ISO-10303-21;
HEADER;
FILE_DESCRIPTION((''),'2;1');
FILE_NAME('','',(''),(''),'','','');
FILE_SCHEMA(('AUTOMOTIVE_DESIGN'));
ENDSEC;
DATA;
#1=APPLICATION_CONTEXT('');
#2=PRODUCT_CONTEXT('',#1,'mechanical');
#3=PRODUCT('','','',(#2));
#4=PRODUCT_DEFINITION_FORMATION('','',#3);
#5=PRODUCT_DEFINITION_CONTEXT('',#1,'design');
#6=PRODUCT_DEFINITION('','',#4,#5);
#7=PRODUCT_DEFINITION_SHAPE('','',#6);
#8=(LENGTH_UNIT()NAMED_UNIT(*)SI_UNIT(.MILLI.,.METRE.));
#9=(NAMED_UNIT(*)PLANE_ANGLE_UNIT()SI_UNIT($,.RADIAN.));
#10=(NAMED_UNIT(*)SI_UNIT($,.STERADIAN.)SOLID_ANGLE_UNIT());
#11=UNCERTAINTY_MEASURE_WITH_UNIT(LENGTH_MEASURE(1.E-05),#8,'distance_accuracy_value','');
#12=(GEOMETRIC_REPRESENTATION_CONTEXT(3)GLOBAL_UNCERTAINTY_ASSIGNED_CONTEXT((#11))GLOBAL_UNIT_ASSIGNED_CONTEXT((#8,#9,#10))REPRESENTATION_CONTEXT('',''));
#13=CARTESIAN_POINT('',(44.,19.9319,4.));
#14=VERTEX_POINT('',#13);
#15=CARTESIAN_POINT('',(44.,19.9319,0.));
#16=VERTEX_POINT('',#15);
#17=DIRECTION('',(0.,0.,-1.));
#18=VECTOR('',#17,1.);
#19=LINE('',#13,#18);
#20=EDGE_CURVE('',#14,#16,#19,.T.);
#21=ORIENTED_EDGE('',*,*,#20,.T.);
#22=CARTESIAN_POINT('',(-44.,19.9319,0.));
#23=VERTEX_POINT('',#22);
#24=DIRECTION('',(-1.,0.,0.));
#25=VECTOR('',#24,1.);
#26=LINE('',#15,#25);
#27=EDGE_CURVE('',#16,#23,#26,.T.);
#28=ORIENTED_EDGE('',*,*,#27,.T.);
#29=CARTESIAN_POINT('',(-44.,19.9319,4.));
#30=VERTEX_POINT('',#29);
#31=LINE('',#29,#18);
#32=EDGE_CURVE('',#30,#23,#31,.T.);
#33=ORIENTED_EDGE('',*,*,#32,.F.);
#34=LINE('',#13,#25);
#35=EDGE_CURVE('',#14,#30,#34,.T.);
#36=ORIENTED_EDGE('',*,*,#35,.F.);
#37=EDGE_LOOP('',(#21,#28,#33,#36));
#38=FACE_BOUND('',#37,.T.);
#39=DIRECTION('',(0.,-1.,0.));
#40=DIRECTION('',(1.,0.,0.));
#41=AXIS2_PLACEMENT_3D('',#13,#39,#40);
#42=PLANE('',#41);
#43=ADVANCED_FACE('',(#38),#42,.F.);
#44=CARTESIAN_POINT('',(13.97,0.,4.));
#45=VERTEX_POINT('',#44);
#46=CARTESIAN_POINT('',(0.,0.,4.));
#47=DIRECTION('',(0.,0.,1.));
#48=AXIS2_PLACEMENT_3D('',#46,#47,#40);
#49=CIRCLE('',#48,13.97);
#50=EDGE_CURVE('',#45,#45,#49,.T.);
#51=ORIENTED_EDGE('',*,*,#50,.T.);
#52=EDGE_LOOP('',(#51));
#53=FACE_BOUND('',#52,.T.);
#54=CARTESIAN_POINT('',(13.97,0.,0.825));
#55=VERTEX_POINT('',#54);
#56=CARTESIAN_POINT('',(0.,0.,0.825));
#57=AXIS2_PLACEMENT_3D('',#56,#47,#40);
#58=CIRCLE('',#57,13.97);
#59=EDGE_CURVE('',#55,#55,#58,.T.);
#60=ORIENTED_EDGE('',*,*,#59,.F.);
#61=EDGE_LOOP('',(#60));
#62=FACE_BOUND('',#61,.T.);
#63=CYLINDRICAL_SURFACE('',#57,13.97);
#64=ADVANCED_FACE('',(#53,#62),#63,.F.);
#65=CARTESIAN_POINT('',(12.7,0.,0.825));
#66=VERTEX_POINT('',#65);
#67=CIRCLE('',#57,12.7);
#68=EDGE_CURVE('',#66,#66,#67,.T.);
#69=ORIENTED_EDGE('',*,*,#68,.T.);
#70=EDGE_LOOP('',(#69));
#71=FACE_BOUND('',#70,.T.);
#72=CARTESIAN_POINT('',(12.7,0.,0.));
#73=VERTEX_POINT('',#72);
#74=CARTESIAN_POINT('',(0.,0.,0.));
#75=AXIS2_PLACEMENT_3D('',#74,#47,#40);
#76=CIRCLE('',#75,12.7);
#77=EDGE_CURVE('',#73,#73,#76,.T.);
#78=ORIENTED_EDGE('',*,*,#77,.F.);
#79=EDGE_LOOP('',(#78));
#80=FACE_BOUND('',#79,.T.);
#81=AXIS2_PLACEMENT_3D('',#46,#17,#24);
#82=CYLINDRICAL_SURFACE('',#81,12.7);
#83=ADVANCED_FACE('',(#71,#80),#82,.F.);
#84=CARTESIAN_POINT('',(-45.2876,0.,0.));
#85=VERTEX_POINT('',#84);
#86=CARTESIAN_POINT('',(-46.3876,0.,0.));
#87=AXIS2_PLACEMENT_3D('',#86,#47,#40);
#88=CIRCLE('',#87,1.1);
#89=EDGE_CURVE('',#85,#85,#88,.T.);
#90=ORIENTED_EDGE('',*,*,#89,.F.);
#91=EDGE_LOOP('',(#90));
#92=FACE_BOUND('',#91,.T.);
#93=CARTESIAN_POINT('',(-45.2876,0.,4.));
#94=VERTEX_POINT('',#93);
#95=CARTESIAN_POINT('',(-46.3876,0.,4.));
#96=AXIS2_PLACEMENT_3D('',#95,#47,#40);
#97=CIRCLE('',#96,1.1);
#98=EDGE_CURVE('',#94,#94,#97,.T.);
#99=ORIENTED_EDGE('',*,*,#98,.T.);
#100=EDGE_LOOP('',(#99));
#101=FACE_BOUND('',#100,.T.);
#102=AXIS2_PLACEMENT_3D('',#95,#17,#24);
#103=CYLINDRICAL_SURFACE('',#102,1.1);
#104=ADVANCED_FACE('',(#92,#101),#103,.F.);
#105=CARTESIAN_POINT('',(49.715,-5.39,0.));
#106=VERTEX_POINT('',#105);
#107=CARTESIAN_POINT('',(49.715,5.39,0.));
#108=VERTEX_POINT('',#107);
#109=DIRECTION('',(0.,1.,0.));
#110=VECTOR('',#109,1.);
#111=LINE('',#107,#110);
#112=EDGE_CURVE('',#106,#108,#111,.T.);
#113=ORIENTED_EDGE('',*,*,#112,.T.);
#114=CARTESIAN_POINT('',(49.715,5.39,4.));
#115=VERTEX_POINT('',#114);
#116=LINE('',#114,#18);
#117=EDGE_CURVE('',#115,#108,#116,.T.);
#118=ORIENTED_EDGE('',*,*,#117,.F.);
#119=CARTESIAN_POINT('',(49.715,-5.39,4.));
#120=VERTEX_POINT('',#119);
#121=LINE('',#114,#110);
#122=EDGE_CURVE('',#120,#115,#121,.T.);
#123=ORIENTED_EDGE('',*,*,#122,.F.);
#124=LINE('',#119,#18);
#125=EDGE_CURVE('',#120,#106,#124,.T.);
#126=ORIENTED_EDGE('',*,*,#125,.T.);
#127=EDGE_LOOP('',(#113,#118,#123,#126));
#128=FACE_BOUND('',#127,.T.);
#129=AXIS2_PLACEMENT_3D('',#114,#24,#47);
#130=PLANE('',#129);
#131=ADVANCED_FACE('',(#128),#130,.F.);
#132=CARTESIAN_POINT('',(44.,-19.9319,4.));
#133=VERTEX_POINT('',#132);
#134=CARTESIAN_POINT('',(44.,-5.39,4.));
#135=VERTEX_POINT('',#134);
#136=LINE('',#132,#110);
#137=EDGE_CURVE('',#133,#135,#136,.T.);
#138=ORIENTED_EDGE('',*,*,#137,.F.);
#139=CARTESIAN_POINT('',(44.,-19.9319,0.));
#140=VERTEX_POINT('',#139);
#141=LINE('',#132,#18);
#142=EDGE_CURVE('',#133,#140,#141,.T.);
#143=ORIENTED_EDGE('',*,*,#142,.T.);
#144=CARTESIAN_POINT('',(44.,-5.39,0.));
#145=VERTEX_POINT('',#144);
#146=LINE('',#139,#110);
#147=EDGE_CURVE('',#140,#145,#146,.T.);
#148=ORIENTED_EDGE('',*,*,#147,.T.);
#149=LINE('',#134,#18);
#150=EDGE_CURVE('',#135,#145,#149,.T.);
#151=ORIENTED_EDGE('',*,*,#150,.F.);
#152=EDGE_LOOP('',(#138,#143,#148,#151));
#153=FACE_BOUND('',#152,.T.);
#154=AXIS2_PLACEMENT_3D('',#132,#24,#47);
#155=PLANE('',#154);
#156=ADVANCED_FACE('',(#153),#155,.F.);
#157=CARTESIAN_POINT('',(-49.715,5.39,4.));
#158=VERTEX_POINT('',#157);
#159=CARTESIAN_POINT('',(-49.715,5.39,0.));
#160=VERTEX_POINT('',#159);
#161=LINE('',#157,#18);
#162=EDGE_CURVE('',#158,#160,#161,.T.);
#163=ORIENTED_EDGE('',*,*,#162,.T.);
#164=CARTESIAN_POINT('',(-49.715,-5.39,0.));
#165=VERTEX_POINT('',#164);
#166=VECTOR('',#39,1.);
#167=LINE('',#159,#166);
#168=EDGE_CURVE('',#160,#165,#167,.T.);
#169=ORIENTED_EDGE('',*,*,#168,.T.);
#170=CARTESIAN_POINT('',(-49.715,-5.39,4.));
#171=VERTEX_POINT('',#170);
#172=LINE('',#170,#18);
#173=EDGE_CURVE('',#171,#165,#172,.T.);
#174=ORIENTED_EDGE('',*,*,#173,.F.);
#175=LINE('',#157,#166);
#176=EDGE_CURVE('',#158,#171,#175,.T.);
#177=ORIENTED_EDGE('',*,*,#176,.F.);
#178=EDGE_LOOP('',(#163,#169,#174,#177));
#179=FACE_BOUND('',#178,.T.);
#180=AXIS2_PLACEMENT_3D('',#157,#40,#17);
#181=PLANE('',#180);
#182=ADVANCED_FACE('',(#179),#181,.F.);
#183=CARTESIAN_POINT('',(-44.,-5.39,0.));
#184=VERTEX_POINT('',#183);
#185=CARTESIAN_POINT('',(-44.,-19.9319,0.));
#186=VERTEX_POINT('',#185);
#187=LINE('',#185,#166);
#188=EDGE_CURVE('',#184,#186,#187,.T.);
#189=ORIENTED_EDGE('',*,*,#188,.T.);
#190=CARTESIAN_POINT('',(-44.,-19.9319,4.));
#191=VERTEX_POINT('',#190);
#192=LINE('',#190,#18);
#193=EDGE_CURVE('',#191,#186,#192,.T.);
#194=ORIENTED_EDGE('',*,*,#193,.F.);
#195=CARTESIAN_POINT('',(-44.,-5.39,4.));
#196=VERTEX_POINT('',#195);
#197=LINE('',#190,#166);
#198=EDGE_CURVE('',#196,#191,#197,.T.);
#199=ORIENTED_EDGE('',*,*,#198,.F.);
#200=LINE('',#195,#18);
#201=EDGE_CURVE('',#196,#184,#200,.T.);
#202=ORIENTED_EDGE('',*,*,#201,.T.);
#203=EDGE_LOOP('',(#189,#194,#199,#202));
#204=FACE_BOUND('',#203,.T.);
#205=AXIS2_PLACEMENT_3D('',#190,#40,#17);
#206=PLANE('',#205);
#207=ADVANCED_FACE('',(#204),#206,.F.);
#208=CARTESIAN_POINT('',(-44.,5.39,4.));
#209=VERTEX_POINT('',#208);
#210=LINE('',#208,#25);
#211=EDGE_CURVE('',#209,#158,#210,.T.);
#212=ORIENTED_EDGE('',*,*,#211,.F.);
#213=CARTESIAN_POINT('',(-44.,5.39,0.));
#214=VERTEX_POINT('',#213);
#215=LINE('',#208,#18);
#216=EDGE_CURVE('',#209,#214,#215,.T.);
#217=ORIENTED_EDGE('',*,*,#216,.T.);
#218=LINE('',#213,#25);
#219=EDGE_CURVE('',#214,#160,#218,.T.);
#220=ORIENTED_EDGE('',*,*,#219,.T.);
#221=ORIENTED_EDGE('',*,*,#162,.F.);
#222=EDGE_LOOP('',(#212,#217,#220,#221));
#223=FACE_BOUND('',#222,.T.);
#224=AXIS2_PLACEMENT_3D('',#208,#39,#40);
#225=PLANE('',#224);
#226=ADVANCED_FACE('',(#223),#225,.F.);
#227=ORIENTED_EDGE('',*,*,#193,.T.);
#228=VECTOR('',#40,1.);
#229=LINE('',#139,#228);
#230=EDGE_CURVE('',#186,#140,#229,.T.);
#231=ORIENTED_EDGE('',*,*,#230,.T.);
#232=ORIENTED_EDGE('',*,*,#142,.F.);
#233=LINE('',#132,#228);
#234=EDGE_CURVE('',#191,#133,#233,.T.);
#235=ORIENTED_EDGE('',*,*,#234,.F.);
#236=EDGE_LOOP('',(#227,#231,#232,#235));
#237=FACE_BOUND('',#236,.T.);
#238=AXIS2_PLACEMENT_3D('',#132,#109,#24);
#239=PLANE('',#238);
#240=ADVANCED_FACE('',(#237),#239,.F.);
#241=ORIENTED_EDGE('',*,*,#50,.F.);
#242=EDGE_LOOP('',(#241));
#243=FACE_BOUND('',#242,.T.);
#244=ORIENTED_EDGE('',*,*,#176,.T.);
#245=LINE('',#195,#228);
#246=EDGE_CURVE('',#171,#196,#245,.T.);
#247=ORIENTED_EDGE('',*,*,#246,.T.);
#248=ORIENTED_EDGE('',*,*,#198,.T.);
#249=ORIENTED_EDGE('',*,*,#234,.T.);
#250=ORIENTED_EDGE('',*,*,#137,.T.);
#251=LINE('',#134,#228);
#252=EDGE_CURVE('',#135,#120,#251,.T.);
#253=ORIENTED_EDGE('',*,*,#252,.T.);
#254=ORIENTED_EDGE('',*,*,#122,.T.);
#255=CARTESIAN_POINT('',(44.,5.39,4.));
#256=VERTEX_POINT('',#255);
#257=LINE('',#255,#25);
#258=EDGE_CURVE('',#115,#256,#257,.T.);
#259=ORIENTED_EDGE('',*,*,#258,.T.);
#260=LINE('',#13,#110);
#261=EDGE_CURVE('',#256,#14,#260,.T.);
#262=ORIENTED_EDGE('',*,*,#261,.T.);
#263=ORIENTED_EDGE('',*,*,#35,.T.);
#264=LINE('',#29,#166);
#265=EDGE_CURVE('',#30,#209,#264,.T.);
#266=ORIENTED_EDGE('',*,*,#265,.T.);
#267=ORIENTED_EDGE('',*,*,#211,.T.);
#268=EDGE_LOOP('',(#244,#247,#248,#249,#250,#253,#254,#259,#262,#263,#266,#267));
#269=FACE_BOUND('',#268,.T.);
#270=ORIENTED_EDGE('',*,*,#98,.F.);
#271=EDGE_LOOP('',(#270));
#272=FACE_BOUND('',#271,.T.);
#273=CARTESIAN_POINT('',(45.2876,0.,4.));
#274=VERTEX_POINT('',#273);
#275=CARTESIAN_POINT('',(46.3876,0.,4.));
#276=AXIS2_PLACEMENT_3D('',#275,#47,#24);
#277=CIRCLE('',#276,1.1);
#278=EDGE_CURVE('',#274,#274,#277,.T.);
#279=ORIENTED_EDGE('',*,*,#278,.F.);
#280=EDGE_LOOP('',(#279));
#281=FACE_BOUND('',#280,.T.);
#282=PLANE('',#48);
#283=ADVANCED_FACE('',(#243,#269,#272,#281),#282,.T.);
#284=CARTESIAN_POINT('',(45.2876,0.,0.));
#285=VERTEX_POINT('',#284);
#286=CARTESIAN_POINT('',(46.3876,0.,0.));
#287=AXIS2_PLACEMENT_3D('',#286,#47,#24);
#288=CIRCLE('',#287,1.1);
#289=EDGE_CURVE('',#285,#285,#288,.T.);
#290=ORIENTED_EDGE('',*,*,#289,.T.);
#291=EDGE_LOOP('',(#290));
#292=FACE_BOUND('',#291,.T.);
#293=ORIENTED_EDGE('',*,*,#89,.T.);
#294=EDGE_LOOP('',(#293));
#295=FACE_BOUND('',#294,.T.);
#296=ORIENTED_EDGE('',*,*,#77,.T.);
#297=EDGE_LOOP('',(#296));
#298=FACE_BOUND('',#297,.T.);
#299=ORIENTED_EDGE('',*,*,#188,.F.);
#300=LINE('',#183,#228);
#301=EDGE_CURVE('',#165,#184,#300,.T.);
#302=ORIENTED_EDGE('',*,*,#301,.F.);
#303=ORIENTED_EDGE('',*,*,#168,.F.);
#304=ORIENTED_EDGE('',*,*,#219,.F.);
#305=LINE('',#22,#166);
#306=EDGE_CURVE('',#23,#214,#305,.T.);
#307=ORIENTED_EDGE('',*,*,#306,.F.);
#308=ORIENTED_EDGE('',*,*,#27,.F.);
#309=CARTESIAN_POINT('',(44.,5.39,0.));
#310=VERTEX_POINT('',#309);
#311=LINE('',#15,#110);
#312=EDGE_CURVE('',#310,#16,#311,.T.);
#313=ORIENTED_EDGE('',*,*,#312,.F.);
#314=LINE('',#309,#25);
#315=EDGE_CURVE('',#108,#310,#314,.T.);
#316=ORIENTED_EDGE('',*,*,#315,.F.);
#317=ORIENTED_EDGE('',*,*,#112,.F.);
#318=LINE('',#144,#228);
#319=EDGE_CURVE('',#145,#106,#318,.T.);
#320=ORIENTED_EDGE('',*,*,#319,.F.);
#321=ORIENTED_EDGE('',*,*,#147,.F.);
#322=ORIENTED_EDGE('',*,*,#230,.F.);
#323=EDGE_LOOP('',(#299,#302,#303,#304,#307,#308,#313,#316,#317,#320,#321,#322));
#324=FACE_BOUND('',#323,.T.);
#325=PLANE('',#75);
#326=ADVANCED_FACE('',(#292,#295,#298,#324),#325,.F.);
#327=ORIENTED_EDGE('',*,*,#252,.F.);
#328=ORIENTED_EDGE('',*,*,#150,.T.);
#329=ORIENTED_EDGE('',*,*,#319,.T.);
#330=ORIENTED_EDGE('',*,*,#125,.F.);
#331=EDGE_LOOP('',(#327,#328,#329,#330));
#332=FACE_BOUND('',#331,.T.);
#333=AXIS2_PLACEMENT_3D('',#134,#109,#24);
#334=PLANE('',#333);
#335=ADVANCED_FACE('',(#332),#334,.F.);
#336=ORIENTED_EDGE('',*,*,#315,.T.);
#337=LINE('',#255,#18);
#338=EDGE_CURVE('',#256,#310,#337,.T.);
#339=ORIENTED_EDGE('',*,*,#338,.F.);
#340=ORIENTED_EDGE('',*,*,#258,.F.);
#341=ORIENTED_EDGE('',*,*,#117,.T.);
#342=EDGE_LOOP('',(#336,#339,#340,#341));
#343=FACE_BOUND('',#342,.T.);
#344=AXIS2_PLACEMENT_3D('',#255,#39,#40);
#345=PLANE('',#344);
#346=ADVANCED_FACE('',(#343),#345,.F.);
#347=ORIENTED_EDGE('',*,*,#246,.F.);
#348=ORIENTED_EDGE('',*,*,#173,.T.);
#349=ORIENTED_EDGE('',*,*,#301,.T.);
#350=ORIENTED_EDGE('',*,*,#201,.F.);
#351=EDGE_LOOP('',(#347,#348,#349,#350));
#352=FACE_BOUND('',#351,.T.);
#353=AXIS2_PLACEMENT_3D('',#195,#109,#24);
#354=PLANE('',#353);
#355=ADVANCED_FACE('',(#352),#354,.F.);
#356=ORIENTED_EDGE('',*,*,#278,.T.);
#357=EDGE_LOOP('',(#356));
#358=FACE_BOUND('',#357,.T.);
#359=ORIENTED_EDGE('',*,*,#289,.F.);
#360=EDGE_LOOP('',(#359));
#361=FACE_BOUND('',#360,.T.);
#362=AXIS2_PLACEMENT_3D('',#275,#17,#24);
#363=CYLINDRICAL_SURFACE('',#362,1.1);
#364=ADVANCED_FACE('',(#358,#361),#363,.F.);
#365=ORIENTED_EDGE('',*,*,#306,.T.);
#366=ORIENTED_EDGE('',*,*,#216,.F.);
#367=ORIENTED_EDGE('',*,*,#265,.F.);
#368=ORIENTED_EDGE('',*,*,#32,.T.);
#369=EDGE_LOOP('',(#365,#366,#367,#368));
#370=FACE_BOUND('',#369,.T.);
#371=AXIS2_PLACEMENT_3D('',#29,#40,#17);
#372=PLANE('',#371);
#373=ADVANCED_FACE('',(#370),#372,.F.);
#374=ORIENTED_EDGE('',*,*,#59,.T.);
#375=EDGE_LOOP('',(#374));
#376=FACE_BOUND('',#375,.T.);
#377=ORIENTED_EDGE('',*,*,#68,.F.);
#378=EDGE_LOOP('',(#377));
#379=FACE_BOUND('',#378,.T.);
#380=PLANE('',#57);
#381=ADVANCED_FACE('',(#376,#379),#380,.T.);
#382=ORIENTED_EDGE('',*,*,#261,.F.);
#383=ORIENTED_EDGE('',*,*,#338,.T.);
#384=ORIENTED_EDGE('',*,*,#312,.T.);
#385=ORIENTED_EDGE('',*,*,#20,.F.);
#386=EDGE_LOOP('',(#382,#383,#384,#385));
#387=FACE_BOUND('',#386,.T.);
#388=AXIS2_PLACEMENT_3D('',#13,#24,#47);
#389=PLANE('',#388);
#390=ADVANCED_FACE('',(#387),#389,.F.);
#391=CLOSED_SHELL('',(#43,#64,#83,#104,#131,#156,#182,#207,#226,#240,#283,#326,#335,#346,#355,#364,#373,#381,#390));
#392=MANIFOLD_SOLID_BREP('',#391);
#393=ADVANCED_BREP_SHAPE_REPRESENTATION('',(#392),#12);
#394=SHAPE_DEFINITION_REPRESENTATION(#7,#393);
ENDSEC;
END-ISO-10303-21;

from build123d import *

# Parameters (mm, degrees)
SKETCH1_R           = 12.7
SKETCH1_R_2         = 1.1
BOSS_EXTRUDE1_DEPTH = 4
SKETCH2_R           = 13.97
CUT_EXTRUDE1_DEPTH  = 3.175


with BuildPart() as part:
    # Sketch1 → Boss-Extrude1 (new body)
    with BuildSketch(Plane.XY):
        Polygon((-44, 19.9319), (-44, 5.39), (-49.715, 5.39), (-49.715, -5.39), (-44, -5.39), (-44, -19.9319), (44, -19.9319), (44, -5.39), (49.715, -5.39), (49.715, 5.39), (44, 5.39), (44, 19.9319), align=None)
        Circle(SKETCH1_R, mode=Mode.SUBTRACT)
        with Locations((-46.3876, 0)):
            Circle(SKETCH1_R_2, mode=Mode.SUBTRACT)
        with Locations(Location((46.3876, 0, 0), (0, 0, 180))):
            Circle(SKETCH1_R_2, mode=Mode.SUBTRACT)
    extrude(amount=BOSS_EXTRUDE1_DEPTH)

    # Sketch2 → Cut-Extrude1 (cut)
    with BuildSketch(Plane.XY.offset(4)):
        Circle(SKETCH2_R)
    extrude(amount=-CUT_EXTRUDE1_DEPTH, mode=Mode.SUBTRACT)


solid = part.part
